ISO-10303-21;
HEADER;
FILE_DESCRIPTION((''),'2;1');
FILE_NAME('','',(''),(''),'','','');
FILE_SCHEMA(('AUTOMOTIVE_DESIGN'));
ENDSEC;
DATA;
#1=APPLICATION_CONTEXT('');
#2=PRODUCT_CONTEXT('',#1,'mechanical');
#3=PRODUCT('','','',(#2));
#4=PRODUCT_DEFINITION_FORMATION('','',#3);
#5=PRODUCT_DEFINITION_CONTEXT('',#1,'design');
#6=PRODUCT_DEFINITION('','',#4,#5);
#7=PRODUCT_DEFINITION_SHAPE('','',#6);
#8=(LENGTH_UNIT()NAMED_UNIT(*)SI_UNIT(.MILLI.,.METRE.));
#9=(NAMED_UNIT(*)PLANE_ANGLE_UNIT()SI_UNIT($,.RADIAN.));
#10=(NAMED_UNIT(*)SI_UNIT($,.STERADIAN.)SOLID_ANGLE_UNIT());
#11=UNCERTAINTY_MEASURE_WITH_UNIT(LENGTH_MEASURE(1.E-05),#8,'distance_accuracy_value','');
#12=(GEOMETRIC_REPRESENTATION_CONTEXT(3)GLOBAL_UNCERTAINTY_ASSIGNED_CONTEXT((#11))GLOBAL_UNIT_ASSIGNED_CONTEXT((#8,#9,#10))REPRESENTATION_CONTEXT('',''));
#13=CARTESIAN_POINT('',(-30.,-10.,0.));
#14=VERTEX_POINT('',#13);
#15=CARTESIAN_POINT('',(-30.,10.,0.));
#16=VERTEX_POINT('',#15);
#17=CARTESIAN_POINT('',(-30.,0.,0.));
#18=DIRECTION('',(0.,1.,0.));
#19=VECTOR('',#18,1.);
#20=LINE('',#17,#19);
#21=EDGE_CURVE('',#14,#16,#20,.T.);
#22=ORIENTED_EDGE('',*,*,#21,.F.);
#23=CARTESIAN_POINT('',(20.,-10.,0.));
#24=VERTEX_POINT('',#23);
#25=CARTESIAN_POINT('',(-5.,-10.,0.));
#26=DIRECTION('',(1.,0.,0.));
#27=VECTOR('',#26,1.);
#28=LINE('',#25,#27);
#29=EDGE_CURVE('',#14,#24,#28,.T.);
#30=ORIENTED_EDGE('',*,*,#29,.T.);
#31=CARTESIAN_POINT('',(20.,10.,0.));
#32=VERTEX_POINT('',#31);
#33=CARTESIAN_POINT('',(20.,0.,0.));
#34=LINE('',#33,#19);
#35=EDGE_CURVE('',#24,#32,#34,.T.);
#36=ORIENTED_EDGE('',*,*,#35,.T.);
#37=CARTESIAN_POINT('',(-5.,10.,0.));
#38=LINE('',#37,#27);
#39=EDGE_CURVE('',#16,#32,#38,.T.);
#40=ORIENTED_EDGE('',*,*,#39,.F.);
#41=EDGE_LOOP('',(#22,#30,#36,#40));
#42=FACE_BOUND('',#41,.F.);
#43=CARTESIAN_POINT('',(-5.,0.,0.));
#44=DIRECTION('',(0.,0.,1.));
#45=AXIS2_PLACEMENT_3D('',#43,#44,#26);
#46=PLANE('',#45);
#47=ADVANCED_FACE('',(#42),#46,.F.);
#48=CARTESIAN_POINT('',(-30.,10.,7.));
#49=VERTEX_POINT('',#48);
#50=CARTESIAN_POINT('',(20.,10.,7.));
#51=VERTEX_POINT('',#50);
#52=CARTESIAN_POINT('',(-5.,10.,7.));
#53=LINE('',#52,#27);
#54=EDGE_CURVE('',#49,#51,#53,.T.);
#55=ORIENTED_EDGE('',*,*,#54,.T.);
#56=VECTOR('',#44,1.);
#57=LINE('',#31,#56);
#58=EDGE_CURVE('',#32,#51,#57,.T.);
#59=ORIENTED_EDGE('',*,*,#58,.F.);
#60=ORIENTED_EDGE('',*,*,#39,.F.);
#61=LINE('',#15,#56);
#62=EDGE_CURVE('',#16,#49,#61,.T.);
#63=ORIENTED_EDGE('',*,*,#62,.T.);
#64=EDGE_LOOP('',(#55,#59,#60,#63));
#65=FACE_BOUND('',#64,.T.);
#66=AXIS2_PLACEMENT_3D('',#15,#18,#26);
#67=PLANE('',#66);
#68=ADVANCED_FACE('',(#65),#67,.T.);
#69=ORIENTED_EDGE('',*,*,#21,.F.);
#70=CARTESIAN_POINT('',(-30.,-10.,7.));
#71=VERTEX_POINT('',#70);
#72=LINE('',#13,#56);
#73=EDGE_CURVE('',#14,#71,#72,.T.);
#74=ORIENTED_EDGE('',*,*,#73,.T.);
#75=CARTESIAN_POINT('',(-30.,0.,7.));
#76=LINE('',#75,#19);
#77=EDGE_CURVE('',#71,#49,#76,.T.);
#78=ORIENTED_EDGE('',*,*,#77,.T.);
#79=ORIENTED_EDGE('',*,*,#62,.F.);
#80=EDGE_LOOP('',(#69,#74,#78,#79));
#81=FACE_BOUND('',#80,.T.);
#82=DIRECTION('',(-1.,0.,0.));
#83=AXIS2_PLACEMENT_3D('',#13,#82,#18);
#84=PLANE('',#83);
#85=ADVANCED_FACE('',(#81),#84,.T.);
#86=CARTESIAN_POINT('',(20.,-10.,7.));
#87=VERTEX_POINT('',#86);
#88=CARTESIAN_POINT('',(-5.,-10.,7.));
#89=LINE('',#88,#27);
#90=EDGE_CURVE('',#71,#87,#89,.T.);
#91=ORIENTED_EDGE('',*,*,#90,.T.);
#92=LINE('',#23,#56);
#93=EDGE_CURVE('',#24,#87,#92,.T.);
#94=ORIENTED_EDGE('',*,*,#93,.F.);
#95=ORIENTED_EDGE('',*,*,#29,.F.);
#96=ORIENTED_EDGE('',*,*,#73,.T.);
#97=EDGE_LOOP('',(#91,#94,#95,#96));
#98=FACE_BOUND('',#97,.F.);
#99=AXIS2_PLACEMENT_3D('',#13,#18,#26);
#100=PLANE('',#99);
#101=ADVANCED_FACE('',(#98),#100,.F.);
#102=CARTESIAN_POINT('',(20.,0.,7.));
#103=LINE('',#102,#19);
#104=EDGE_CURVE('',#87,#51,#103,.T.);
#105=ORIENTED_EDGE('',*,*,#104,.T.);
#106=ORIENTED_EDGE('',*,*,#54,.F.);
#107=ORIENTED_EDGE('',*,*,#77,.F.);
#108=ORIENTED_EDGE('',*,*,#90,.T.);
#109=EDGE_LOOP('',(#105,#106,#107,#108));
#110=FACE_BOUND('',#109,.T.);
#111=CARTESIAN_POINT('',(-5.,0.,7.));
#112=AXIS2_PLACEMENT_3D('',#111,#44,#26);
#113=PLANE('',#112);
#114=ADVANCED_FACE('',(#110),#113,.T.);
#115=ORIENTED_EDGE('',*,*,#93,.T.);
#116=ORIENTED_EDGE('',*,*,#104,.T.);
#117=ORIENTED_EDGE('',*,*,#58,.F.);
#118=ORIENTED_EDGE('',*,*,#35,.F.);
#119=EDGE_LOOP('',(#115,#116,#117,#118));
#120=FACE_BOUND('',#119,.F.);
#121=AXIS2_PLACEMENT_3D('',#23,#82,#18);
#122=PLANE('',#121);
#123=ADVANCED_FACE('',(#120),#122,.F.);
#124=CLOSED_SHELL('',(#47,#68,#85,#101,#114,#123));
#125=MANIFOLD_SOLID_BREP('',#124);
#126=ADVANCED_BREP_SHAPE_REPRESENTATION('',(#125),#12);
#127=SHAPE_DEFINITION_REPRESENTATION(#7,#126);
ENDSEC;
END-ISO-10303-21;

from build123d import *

# Parameters (mm, degrees)
SKETCH_W  = 50
SKETCH_H  = 20
PAD_DEPTH = 7


with BuildPart() as part:
    # Sketch → Pad (new body)
    with BuildSketch(Plane.XY):
        with Locations((-5, 0)):
            Rectangle(SKETCH_W, SKETCH_H)
    extrude(amount=PAD_DEPTH)


solid = part.part
